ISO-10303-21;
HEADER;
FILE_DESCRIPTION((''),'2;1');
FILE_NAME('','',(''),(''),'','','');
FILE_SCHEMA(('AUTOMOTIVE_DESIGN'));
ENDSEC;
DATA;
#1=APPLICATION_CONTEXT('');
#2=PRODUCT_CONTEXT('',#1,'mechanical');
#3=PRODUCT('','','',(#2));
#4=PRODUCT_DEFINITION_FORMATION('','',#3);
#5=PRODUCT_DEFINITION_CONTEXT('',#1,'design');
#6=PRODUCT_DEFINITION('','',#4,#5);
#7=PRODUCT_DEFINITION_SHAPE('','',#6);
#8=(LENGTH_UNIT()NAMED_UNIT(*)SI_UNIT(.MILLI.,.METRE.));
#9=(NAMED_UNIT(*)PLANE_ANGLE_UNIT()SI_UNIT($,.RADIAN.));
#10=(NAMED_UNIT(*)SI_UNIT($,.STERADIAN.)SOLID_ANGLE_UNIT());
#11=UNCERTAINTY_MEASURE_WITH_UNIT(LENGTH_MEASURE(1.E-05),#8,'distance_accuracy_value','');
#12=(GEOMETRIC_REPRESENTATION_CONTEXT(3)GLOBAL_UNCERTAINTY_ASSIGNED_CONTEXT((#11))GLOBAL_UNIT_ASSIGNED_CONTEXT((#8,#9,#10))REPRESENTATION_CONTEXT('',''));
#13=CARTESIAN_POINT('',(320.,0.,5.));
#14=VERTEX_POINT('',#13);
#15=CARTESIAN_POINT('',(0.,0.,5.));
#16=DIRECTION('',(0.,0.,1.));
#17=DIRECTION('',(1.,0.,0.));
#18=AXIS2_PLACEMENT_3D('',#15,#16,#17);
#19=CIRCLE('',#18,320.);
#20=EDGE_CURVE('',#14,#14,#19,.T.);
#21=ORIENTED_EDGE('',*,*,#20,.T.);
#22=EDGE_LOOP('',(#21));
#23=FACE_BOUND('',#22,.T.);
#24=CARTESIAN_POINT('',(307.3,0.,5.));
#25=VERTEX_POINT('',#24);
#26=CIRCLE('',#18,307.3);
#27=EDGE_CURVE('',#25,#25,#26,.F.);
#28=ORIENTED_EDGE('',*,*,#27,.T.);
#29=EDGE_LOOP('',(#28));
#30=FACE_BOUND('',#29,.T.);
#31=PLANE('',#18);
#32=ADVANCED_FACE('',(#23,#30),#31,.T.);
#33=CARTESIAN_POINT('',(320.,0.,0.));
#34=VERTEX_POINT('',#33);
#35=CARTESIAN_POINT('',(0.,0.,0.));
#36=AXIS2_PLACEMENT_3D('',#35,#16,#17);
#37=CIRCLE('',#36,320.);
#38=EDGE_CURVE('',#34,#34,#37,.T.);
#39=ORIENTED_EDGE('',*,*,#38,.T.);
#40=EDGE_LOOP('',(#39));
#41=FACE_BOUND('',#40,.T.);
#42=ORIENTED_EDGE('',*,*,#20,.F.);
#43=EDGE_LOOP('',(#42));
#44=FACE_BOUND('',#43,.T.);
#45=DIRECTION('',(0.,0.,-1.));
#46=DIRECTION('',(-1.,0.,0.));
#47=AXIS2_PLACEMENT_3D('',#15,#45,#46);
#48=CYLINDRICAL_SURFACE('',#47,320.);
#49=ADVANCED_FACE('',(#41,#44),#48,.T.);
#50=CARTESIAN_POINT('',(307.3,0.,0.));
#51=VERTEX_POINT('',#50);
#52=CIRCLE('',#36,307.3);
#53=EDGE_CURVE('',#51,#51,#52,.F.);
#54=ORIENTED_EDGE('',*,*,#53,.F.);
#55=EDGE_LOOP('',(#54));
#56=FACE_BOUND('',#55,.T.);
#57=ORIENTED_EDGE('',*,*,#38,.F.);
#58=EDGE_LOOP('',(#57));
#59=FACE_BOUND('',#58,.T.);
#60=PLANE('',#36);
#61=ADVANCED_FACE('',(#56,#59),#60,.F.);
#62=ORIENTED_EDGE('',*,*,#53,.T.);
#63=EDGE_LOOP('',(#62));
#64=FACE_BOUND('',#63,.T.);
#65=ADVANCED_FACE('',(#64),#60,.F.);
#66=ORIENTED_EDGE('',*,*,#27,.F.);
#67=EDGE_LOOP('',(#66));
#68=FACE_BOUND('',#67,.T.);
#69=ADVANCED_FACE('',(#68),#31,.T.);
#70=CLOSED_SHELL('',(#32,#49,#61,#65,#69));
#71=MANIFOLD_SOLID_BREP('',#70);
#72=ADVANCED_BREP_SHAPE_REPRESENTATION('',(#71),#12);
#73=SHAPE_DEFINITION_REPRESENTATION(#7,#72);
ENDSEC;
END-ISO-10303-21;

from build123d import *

# Parameters (mm, degrees)
SKETCH1_R                          = 320
QUARTZ_WINDOW_THICKNESS_5_MM_DEPTH = 5


with BuildPart() as part:
    # Sketch1 → Quartz Window Thickness = 5 mm (new body)
    with BuildSketch(Plane.XY):
        Circle(SKETCH1_R)
    extrude(amount=QUARTZ_WINDOW_THICKNESS_5_MM_DEPTH)


solid = part.part
